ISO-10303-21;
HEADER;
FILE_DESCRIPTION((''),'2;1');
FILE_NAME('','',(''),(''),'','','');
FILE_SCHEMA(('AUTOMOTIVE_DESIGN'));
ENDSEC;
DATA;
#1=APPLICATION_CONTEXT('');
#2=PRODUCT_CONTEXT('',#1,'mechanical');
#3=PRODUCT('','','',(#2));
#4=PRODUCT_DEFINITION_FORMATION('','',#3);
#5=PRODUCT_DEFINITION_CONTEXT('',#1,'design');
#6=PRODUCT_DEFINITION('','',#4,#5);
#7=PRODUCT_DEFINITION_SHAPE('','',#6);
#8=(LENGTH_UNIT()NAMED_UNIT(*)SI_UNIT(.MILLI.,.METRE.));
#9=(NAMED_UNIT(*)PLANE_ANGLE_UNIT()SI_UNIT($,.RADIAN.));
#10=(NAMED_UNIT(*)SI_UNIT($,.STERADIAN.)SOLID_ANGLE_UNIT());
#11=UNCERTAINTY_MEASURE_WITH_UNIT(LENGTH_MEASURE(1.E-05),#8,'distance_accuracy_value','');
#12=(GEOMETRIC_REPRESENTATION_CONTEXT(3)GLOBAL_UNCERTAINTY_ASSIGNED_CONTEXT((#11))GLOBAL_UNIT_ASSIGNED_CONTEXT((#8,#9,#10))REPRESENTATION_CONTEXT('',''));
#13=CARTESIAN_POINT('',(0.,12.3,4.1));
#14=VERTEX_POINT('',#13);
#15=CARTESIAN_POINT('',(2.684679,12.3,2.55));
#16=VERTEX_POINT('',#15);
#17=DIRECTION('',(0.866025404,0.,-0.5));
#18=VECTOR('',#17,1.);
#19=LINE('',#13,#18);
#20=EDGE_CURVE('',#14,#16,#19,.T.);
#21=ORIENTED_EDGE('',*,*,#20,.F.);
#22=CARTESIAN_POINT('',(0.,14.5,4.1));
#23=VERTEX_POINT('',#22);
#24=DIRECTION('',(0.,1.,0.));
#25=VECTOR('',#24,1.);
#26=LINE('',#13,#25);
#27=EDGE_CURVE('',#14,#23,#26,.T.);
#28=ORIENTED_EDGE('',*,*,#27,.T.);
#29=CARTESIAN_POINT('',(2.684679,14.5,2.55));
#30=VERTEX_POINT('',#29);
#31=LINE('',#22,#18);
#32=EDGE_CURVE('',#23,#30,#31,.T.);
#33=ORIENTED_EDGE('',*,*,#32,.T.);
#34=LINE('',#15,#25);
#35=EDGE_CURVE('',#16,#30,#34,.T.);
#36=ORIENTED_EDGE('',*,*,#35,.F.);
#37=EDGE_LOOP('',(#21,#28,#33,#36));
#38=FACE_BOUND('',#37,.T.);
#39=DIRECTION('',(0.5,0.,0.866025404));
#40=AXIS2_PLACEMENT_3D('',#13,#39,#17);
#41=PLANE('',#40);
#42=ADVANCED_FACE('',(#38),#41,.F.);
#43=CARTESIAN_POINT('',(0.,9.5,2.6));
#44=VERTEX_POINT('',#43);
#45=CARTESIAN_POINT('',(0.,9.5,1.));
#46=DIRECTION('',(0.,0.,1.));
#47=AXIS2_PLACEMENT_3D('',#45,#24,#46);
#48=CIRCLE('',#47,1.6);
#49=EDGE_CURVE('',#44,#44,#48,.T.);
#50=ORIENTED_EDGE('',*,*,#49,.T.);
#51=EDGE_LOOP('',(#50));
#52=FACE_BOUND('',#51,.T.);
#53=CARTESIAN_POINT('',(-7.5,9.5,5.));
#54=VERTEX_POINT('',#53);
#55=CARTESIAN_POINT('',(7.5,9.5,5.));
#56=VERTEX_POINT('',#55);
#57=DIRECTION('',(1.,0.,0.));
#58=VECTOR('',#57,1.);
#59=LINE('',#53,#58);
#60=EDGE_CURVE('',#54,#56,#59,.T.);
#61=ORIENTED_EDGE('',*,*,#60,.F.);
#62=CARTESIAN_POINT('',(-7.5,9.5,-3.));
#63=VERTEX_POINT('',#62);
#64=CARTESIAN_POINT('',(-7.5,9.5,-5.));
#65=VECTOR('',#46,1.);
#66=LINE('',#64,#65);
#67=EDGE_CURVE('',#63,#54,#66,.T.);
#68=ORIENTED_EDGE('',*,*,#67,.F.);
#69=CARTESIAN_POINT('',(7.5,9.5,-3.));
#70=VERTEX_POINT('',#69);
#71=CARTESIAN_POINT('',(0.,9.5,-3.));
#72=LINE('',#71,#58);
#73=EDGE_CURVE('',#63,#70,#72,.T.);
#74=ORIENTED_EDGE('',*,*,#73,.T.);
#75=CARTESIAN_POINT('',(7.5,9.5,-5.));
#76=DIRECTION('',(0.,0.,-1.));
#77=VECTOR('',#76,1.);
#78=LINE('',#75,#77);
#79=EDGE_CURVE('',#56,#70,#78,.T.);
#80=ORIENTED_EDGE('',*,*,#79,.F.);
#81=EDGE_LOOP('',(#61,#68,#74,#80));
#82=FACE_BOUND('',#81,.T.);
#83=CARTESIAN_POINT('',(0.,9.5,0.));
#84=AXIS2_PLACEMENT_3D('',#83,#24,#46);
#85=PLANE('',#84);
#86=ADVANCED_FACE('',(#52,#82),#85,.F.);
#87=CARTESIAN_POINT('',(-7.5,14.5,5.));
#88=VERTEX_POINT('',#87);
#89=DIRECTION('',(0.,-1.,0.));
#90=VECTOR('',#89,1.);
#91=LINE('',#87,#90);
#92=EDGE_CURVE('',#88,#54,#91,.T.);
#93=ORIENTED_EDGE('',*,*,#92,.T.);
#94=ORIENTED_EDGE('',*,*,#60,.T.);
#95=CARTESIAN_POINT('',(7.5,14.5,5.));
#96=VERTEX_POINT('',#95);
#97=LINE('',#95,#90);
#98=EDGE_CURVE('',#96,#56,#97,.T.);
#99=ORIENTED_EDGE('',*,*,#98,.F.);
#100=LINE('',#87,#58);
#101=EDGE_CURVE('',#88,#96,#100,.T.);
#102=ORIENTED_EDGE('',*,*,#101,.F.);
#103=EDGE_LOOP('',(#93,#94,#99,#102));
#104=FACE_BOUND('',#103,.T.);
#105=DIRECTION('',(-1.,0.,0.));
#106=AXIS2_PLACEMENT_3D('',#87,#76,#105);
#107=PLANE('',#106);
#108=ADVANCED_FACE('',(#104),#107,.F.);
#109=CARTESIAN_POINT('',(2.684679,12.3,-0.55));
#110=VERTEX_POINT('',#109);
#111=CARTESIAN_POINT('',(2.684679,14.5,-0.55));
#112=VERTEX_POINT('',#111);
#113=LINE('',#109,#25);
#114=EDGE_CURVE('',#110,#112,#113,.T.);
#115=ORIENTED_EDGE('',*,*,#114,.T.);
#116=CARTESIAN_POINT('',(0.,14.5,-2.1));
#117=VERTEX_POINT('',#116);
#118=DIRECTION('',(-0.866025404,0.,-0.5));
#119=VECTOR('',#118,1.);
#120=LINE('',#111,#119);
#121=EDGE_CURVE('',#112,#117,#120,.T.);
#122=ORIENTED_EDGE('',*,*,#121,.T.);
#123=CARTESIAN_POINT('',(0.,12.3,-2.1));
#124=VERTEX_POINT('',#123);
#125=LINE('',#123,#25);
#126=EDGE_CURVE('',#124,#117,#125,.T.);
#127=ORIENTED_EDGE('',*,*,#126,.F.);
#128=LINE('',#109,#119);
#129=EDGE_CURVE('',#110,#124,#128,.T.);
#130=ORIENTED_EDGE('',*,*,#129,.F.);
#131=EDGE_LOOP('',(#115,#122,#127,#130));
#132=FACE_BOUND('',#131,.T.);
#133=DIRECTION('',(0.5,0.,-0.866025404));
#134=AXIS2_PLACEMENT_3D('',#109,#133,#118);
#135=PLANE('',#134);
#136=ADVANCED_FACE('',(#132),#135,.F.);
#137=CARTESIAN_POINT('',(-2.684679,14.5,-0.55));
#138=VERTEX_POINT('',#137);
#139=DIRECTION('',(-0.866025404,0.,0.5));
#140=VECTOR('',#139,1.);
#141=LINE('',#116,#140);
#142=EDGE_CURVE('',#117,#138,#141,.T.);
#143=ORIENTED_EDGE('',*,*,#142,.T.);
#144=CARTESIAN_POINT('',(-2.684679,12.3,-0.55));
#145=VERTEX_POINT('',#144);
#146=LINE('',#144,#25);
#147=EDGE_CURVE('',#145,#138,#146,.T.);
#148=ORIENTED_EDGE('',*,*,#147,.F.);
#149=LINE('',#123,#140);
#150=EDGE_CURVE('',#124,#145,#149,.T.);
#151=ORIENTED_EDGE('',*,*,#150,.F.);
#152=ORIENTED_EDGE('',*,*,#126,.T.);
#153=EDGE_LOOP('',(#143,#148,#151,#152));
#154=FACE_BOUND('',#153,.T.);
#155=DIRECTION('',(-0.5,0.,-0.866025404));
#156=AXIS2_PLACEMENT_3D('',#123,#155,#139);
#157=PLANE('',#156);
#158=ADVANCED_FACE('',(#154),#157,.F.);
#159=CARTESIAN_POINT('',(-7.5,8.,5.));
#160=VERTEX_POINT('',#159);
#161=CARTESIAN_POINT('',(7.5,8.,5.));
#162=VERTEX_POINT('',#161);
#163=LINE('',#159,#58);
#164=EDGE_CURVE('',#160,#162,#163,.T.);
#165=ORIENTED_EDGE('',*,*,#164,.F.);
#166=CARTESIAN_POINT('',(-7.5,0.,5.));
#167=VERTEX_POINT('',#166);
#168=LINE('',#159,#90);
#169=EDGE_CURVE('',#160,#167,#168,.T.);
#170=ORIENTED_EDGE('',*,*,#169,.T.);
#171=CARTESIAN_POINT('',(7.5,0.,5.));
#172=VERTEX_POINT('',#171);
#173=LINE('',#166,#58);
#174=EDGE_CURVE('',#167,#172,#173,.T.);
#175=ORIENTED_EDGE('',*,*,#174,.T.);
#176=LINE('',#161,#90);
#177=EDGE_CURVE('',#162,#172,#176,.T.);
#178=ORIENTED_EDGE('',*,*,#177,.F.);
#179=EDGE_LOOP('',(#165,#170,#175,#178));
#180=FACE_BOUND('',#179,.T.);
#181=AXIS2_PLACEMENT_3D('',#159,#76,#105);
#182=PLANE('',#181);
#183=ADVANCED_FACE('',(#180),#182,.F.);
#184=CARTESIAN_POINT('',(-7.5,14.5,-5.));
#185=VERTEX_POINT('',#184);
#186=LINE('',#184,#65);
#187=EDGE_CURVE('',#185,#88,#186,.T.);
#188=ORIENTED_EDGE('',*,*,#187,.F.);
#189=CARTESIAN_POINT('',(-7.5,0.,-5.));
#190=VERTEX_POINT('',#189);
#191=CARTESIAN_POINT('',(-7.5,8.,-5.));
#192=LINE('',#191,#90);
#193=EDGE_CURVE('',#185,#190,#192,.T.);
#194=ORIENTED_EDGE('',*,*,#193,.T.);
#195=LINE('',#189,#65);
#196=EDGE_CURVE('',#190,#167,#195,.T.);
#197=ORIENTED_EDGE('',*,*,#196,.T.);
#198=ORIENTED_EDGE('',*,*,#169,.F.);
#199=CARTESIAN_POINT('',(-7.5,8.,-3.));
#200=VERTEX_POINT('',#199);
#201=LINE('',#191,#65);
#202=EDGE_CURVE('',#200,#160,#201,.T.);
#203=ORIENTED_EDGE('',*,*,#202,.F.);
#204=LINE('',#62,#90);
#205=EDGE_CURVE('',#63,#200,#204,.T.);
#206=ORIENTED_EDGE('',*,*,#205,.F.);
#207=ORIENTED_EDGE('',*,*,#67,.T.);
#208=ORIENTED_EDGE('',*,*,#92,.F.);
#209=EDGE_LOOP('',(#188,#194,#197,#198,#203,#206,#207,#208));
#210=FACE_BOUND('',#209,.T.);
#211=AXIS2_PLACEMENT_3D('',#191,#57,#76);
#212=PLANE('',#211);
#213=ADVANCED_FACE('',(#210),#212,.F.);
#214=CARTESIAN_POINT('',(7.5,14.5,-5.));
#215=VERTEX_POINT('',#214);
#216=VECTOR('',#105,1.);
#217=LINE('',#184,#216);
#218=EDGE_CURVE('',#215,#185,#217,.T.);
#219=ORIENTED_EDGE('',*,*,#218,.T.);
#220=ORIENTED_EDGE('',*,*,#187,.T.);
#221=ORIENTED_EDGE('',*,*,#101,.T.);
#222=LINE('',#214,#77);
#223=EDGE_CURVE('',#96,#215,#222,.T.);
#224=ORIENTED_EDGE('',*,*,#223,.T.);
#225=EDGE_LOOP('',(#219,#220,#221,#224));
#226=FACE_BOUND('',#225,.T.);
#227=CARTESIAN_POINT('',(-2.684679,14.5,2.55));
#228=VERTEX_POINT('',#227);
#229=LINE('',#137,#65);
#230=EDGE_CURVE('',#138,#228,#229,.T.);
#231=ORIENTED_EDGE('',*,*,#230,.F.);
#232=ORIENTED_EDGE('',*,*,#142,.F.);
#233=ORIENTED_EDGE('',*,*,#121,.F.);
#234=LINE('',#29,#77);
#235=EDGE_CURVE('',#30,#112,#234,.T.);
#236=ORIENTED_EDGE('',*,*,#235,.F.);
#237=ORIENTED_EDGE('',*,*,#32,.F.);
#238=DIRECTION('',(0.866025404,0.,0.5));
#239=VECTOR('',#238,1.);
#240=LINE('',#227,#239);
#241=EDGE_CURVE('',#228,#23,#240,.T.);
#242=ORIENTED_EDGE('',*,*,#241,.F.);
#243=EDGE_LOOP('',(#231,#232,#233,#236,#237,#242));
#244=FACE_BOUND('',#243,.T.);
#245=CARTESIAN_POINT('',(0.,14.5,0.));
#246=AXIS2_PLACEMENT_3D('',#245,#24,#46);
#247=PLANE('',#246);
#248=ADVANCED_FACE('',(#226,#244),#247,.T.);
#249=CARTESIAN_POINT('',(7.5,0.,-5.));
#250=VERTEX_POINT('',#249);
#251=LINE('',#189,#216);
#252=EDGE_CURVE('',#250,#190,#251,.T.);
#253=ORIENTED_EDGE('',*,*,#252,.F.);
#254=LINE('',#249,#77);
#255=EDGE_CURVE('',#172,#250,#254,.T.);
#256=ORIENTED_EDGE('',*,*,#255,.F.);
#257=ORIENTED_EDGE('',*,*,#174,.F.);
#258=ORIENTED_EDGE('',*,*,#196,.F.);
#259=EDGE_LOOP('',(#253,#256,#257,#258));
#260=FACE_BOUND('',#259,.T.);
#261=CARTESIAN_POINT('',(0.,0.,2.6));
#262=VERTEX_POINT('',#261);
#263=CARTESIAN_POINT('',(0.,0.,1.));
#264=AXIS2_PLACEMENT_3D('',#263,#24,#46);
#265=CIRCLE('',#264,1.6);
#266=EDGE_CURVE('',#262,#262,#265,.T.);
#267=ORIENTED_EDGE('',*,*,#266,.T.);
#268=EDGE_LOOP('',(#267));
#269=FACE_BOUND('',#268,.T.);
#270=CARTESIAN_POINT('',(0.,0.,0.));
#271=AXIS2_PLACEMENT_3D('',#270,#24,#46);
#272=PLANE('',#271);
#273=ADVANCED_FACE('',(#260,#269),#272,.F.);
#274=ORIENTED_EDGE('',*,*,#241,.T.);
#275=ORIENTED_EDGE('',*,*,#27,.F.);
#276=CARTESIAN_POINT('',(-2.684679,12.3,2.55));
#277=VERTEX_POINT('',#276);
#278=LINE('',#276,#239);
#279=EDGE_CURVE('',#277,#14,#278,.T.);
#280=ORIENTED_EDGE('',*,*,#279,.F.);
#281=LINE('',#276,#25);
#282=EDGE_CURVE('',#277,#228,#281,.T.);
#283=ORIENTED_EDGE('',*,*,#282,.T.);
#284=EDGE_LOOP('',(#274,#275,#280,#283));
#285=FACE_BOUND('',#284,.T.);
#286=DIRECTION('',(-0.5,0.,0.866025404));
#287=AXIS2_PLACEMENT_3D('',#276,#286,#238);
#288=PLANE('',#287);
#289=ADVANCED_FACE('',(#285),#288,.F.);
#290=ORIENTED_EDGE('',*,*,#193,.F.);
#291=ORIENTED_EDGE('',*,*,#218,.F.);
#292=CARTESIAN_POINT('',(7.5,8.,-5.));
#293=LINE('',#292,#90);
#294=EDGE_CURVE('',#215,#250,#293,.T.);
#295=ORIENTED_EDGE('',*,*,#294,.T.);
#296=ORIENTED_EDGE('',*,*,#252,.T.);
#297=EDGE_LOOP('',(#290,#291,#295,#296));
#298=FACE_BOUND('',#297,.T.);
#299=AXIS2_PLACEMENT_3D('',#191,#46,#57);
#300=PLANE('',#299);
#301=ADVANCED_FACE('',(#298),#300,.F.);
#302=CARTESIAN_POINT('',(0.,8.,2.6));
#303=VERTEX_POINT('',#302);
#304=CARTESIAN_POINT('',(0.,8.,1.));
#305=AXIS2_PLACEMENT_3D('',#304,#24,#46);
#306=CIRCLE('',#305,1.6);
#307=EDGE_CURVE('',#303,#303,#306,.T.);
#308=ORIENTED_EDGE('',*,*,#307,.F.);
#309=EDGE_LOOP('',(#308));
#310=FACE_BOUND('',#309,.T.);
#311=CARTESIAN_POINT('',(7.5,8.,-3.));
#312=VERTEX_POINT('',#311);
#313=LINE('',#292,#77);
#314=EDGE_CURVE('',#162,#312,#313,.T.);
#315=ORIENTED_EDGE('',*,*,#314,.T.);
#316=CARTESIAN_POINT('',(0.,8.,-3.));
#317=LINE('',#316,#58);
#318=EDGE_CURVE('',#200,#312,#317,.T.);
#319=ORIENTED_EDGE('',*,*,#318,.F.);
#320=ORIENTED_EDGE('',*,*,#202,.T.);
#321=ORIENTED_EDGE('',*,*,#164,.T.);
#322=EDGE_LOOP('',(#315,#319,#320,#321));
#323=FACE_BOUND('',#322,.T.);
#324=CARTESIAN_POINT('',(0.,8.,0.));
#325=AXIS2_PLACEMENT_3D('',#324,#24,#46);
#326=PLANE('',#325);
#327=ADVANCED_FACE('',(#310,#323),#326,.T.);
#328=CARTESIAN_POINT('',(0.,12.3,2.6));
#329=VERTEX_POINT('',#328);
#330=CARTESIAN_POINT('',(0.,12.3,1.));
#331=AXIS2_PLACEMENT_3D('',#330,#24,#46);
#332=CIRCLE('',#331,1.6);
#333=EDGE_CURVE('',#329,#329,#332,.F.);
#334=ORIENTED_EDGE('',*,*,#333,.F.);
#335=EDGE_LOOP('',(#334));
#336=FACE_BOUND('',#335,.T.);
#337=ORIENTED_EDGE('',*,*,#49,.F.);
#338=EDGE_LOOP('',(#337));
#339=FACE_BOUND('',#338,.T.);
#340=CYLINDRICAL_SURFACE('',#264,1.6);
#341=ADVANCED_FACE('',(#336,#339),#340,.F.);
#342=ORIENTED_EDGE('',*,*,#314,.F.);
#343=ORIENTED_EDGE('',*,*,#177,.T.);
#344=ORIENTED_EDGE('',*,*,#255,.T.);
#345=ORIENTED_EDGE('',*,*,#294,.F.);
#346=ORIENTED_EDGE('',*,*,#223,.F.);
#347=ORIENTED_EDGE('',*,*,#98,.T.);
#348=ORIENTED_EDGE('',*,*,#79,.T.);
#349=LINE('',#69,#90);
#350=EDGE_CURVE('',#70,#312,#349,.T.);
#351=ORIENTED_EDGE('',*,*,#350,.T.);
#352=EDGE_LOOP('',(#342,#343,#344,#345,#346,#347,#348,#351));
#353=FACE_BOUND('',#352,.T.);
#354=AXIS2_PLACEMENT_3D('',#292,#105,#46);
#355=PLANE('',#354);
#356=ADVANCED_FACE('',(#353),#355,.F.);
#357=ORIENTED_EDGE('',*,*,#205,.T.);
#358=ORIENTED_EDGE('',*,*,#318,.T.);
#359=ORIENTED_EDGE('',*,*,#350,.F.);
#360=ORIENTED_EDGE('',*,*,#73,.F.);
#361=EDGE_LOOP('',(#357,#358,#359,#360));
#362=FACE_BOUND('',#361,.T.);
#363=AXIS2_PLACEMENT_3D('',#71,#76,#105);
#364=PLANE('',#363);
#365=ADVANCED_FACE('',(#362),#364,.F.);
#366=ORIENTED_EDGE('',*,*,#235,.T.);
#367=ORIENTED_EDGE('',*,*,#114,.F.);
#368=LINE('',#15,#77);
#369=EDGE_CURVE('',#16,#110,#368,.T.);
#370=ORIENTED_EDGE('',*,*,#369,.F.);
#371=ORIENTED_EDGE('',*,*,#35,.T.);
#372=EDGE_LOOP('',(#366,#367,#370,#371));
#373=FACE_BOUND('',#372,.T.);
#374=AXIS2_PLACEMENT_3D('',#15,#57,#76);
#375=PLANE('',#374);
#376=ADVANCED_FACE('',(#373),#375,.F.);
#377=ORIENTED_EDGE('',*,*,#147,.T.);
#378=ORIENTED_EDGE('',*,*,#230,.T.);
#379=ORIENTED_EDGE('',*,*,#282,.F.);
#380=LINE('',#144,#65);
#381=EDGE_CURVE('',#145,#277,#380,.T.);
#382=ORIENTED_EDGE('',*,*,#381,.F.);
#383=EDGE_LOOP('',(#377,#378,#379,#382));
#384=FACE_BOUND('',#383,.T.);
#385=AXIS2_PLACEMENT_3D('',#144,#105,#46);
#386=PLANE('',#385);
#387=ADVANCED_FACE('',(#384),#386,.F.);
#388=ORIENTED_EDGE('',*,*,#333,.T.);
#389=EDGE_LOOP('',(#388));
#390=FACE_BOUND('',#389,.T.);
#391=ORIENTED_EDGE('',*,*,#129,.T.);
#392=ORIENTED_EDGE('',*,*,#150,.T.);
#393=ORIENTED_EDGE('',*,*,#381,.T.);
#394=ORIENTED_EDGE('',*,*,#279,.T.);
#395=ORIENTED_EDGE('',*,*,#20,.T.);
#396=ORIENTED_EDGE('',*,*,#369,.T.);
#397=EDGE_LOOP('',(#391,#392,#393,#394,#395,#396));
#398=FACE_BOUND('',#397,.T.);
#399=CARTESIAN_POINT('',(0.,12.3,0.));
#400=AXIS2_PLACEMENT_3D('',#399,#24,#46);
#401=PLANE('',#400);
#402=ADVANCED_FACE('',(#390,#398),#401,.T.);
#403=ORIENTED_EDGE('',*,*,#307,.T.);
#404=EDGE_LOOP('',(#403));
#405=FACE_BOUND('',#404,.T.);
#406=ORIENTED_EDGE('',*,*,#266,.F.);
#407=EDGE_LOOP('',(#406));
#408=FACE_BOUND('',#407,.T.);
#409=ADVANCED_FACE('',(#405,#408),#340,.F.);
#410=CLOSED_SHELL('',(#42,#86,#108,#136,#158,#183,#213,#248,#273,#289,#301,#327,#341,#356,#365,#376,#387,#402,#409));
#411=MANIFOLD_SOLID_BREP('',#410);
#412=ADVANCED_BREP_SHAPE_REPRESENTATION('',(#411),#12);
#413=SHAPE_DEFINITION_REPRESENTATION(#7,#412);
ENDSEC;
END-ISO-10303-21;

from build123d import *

# Parameters (mm, degrees)
SKETCH1_W    = 15
SKETCH1_H    = 10
BASE_DEPTH   = 8
SPACER_DEPTH = 1.5
SKETCH4_W    = 15
SKETCH4_H    = 10
TOP_DEPTH    = 5
SKETCH5_R    = 1.6
BORE_DEPTH   = 18.073371079
NUT_DEPTH    = 2.2


with BuildPart() as part:
    # Sketch1 → base (new body)
    with BuildSketch(Plane(origin=(0, 0, 0), x_dir=(1, 0, 0), z_dir=(0, 1, 0))):
        Rectangle(SKETCH1_W, SKETCH1_H)
    extrude(amount=BASE_DEPTH)

    # Sketch3 → spacer (add)
    with BuildSketch(Plane(origin=(0, 8, 0), x_dir=(1, 0, 0), z_dir=(0, 1, 0))):
        Polygon((-7.5, 3), (-5.99621099, 3), (5.99621099, 3), (7.5, 3), (7.5, 5), (-7.5, 5), align=None)
    extrude(amount=SPACER_DEPTH)

    # Sketch4 → top (add)
    with BuildSketch(Plane(origin=(0, 9.5, 0), x_dir=(1, 0, 0), z_dir=(0, 1, 0))):
        Rectangle(SKETCH4_W, SKETCH4_H)
    extrude(amount=TOP_DEPTH)

    # Sketch5 → bore (cut, through all)
    with BuildSketch(Plane(origin=(0, 14.5, 0), x_dir=(1, 0, 0), z_dir=(0, 1, 0))):
        with Locations(Location((0, -1, 0), (0, 0, 270))):
            Circle(SKETCH5_R)
    extrude(amount=-BORE_DEPTH, mode=Mode.SUBTRACT)

    # Sketch6 → nut (cut)
    with BuildSketch(Plane(origin=(0, 14.5, 0), x_dir=(1, 0, 0), z_dir=(0, 1, 0))):
        Polygon((0, -4.1), (2.684678752, -2.55), (2.684678752, 0.55), (0, 2.1), (-2.684678752, 0.55), (-2.684678752, -2.55), align=None)
    extrude(amount=-NUT_DEPTH, mode=Mode.SUBTRACT)


solid = part.part
